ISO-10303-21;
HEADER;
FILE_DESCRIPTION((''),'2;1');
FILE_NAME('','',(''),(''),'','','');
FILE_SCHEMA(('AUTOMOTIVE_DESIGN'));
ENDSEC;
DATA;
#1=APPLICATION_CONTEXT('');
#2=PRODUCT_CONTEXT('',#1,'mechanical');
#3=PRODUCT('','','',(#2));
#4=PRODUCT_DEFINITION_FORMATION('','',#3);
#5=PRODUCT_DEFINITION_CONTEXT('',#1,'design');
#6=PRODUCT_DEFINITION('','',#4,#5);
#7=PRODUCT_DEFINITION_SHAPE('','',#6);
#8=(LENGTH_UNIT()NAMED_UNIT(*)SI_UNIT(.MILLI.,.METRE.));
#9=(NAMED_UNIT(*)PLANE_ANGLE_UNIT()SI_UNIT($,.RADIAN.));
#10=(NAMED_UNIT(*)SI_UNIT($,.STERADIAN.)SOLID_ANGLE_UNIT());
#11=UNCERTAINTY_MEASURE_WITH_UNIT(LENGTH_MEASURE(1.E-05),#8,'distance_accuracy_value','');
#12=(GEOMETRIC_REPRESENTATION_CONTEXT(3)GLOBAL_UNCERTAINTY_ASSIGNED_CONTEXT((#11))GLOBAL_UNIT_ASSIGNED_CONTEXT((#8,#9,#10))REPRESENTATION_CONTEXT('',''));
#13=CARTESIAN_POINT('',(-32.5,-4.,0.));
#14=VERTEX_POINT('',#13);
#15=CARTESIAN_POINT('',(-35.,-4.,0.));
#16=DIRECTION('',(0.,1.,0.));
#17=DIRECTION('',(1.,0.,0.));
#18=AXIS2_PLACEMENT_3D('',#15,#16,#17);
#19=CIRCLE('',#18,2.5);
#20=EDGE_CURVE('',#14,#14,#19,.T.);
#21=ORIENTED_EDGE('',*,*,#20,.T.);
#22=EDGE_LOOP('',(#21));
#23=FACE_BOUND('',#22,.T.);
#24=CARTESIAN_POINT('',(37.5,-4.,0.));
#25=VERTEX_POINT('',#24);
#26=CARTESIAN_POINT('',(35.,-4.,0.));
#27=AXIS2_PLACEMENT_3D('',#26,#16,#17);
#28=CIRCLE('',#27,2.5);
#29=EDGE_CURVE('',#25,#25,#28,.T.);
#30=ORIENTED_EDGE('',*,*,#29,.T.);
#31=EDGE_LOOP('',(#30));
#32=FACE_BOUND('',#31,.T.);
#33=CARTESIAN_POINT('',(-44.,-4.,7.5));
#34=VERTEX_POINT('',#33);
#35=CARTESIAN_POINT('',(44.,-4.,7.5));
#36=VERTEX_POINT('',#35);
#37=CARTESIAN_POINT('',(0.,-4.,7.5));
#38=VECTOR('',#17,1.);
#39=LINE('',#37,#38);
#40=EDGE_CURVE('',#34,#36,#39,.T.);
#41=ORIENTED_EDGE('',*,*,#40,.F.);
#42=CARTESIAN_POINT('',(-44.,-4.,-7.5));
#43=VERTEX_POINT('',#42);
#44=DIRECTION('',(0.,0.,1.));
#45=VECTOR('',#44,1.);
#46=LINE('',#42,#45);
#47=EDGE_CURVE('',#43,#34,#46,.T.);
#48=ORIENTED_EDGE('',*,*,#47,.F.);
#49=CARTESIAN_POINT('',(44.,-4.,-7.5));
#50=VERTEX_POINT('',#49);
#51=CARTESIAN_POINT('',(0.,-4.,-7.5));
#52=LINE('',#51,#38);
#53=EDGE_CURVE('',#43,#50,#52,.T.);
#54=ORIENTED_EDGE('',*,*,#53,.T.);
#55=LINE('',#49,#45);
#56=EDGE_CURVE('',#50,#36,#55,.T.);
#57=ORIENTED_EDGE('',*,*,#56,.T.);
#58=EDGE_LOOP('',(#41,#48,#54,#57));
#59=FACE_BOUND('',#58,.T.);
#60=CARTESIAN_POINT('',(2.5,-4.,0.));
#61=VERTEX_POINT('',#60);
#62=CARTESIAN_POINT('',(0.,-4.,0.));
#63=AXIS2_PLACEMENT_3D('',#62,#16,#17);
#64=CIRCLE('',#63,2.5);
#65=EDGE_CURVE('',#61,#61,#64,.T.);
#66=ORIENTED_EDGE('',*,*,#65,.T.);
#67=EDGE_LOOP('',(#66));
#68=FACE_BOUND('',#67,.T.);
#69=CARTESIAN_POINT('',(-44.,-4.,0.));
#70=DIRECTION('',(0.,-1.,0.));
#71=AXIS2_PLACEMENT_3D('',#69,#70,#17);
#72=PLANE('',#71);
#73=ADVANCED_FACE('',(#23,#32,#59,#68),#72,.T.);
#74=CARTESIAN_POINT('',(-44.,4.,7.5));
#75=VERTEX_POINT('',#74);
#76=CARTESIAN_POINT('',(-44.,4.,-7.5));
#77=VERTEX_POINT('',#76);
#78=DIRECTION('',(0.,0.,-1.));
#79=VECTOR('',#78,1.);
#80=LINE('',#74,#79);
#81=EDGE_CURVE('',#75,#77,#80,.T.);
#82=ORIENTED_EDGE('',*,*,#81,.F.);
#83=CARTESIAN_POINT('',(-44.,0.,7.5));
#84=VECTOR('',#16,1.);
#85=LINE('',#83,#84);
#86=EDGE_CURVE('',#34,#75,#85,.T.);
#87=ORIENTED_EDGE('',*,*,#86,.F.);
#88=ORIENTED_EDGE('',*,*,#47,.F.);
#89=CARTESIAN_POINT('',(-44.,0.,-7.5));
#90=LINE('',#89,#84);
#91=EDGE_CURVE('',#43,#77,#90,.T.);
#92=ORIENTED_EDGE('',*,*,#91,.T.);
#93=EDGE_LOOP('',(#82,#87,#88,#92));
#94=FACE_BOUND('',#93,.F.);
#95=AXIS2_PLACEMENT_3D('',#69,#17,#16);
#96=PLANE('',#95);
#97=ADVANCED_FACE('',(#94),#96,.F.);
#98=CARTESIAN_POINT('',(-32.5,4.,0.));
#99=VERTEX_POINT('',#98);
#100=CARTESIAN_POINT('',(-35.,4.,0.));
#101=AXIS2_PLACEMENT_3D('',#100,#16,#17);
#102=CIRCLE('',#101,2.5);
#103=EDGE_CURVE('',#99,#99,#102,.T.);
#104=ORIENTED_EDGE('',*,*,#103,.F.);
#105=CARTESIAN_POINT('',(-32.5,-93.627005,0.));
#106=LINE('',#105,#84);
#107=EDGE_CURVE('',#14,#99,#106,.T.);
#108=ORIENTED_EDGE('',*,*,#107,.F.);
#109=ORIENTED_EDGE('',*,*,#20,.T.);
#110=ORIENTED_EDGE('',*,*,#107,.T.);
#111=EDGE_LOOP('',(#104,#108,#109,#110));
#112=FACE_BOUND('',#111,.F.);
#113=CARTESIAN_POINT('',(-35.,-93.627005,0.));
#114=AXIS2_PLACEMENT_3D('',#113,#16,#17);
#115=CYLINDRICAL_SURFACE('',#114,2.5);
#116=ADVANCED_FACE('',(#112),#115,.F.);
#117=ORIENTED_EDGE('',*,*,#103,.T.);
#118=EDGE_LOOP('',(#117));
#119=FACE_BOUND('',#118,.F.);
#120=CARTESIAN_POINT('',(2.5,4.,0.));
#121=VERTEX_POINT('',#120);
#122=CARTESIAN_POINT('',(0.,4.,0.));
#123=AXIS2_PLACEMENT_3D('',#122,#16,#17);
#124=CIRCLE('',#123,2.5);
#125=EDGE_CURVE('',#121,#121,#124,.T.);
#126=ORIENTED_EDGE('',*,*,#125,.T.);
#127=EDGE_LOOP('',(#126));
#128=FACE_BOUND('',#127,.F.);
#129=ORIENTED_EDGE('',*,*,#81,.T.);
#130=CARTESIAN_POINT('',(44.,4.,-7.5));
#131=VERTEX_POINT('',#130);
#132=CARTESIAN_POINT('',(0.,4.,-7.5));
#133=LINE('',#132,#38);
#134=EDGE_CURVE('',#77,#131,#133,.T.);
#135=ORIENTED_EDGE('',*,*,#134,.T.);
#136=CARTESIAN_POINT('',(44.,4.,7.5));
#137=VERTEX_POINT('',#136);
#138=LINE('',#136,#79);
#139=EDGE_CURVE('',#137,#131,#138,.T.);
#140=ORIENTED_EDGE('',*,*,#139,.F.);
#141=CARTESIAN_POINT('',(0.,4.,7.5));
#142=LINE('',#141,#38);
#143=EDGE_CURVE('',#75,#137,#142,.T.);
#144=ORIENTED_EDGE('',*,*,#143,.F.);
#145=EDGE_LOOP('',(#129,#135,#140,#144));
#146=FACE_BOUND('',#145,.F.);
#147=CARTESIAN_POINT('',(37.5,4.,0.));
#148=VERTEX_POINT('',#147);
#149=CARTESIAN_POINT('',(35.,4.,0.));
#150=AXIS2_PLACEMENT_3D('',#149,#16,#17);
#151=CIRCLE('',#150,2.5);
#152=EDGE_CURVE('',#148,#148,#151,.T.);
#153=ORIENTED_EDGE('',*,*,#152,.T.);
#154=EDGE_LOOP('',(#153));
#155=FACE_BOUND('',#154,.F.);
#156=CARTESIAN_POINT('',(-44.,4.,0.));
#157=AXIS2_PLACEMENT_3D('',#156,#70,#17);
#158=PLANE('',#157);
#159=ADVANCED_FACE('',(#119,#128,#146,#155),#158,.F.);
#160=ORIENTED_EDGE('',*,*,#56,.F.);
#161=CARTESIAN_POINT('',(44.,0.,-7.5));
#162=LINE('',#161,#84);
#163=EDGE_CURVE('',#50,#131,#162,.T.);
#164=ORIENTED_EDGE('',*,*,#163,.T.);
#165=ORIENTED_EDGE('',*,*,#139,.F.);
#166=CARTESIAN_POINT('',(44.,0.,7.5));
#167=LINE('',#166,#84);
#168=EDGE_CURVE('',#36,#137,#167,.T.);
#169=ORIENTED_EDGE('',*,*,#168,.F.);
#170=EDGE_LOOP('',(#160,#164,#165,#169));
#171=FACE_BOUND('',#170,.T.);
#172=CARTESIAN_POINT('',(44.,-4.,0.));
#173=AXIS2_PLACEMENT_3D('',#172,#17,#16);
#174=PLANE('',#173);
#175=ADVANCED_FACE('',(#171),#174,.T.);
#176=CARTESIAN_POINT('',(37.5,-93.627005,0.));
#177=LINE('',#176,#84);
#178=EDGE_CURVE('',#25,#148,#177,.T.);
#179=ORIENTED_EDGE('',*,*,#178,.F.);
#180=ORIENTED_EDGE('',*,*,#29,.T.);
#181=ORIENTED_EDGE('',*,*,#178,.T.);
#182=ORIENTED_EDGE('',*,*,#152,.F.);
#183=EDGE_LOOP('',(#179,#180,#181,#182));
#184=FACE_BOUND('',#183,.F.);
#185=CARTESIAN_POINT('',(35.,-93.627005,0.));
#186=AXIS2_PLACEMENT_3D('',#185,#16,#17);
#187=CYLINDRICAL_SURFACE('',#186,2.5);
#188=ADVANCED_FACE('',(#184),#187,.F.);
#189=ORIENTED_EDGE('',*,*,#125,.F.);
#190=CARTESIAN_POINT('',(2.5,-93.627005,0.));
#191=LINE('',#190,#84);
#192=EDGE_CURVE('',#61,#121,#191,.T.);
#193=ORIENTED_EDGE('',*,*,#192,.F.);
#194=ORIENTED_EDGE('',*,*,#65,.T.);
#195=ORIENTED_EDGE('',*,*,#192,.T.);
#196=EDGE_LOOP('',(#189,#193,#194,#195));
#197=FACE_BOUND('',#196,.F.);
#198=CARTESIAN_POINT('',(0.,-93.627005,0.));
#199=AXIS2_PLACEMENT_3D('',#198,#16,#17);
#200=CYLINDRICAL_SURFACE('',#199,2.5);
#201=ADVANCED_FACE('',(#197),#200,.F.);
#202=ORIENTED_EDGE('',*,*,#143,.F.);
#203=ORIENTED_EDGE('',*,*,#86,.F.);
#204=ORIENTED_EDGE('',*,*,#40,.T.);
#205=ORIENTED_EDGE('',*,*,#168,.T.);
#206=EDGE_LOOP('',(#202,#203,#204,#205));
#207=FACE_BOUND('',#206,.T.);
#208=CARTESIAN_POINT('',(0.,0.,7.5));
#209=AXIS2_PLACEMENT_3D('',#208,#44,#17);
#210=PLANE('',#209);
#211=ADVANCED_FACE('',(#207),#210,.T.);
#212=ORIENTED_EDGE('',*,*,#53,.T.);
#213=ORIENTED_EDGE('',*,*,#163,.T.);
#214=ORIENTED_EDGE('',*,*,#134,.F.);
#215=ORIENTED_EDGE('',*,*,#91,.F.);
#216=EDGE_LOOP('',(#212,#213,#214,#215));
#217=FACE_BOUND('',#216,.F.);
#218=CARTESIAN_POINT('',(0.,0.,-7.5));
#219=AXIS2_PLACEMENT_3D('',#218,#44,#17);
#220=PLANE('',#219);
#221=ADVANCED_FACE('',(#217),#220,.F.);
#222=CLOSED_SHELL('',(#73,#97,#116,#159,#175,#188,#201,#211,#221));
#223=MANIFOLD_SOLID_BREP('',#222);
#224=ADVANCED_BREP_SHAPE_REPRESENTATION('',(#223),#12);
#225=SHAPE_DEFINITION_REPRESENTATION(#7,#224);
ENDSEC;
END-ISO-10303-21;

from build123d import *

# Parameters (mm, degrees)
SKETCH_2_W         = 88
SKETCH_2_H         = 8
EXTRUDE_1_DEPTH    = 7.5
HOLE_WIZARD_M6_1_D = 5


with BuildPart() as part:
    # 草图2 → 凸台-拉伸1 (new, symmetric)
    with BuildSketch(Plane.XY):
        Rectangle(SKETCH_2_W, SKETCH_2_H)
    extrude(amount=EXTRUDE_1_DEPTH, both=True)

    # M6 螺纹孔1 (through all)
    with Locations(Plane(origin=(0, -4, 0), x_dir=(-1, 0, 0), z_dir=(0, -1, 0))):
        with Locations((35, 0), (-35, 0), (0, 0)):
            Hole(HOLE_WIZARD_M6_1_D / 2)


solid = part.part
